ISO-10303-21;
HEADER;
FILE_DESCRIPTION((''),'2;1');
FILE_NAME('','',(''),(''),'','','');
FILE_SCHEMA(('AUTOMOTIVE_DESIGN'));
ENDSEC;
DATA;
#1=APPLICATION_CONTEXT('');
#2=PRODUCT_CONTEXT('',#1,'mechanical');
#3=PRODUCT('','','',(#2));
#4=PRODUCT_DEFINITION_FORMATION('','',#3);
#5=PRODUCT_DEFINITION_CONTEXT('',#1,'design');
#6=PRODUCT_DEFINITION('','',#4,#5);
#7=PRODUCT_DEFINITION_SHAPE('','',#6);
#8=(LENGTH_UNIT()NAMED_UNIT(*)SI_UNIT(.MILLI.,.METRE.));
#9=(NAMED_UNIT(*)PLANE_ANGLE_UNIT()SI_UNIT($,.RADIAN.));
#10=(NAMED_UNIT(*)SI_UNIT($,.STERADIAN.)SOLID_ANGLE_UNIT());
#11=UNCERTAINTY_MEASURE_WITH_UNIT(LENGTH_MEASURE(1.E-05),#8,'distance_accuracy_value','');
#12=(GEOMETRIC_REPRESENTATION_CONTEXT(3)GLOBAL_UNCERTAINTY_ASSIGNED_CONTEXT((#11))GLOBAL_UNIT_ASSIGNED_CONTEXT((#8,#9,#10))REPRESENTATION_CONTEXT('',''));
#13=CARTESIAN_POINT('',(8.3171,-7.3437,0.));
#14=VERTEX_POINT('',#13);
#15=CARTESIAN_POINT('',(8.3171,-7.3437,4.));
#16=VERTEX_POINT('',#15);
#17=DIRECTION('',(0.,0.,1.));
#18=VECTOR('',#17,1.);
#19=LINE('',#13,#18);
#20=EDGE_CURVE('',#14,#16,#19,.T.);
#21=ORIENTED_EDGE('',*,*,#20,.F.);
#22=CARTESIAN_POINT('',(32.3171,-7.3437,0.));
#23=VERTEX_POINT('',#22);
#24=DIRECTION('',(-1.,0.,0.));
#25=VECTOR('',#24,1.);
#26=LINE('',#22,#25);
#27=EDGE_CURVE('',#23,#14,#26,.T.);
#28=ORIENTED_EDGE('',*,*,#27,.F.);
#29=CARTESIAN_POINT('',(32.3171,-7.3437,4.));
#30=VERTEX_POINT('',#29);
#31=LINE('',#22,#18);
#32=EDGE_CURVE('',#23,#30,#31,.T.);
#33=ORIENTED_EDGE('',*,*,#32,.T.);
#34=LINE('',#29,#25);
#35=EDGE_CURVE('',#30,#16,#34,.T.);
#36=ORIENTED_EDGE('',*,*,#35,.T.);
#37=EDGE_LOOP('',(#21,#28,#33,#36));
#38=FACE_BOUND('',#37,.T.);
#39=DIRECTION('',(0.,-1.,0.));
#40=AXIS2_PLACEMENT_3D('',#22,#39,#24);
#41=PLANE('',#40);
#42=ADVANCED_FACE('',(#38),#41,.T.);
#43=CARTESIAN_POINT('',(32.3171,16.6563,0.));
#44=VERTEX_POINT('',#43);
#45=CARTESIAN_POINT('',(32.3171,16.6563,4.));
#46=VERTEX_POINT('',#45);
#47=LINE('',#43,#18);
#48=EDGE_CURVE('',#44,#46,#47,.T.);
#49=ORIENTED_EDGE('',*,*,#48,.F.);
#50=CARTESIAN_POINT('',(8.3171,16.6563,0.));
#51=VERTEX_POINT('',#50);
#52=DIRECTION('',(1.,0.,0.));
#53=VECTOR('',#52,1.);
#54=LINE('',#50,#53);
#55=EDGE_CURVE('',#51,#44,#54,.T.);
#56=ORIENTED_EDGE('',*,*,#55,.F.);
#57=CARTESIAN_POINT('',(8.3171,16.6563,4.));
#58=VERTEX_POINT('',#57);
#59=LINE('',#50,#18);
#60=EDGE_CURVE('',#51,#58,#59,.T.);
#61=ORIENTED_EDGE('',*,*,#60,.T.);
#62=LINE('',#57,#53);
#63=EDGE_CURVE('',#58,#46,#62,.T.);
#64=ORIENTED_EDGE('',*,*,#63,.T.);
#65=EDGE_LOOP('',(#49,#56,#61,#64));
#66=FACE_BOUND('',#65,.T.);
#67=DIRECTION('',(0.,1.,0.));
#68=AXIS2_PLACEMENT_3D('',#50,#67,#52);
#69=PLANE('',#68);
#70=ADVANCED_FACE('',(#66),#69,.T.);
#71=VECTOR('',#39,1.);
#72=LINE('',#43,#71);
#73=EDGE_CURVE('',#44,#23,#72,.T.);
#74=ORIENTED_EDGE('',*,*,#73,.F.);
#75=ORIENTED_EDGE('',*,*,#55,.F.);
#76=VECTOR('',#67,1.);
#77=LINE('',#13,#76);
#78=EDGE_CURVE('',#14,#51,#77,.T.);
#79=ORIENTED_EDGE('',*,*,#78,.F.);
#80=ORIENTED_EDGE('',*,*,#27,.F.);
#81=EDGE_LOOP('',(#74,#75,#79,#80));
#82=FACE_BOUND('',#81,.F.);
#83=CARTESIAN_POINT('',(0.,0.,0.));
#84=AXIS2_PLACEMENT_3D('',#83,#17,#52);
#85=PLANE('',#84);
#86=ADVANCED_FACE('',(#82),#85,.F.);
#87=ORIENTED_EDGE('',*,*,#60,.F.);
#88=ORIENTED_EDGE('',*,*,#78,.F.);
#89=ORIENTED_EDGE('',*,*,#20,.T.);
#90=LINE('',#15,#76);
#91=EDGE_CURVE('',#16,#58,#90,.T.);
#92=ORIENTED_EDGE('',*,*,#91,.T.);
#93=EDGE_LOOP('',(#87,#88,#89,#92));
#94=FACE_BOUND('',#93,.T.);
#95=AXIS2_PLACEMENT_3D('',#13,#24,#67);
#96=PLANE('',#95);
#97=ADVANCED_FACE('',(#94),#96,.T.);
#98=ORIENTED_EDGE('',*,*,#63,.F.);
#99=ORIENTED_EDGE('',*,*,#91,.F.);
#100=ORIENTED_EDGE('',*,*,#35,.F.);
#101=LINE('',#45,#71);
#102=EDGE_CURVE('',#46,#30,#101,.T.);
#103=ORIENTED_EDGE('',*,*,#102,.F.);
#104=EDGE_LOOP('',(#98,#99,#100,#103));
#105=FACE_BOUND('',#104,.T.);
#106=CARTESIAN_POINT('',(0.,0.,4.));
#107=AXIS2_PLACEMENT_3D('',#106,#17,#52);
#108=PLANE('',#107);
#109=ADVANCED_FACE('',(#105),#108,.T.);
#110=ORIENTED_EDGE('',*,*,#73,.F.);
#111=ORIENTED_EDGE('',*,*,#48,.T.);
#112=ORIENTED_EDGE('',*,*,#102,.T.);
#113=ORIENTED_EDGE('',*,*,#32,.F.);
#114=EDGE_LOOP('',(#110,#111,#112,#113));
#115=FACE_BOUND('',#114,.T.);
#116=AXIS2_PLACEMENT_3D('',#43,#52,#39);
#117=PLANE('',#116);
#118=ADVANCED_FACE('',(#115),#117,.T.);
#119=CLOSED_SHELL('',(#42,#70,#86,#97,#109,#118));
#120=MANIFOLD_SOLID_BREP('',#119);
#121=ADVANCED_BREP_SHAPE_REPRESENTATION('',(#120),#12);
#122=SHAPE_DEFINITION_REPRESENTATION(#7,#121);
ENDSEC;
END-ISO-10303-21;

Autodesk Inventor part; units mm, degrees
ref_plane "YZ Plane" through (0, 0, 0) normal (1, 0, 0) x (0, 1, 0)
ref_plane "XZ Plane" through (0, 0, 0) normal (0, 1, 0) x (-1, 0, 0)
ref_plane "XY Plane" through (0, 0, 0) normal (0, 0, 1) x (1, 0, 0)
sketch "Boceto1" plane through (0, 0, 0) normal (0, 0, 1) x (1, 0, 0)
  line L0 (8.3171, 16.6563) -> (32.3171, 16.6563)
  line L1 (32.3171, 16.6563) -> (32.3171, -7.3437)
  line L2 (32.3171, -7.3437) -> (8.3171, -7.3437)
  line L3 (8.3171, -7.3437) -> (8.3171, 16.6563)
  point P0 (0, 0)
  dimension "d0" = 24
  dimension "d1" = 24
extrude "Extrusión1" add sketch "Boceto1" along normal blind 4
